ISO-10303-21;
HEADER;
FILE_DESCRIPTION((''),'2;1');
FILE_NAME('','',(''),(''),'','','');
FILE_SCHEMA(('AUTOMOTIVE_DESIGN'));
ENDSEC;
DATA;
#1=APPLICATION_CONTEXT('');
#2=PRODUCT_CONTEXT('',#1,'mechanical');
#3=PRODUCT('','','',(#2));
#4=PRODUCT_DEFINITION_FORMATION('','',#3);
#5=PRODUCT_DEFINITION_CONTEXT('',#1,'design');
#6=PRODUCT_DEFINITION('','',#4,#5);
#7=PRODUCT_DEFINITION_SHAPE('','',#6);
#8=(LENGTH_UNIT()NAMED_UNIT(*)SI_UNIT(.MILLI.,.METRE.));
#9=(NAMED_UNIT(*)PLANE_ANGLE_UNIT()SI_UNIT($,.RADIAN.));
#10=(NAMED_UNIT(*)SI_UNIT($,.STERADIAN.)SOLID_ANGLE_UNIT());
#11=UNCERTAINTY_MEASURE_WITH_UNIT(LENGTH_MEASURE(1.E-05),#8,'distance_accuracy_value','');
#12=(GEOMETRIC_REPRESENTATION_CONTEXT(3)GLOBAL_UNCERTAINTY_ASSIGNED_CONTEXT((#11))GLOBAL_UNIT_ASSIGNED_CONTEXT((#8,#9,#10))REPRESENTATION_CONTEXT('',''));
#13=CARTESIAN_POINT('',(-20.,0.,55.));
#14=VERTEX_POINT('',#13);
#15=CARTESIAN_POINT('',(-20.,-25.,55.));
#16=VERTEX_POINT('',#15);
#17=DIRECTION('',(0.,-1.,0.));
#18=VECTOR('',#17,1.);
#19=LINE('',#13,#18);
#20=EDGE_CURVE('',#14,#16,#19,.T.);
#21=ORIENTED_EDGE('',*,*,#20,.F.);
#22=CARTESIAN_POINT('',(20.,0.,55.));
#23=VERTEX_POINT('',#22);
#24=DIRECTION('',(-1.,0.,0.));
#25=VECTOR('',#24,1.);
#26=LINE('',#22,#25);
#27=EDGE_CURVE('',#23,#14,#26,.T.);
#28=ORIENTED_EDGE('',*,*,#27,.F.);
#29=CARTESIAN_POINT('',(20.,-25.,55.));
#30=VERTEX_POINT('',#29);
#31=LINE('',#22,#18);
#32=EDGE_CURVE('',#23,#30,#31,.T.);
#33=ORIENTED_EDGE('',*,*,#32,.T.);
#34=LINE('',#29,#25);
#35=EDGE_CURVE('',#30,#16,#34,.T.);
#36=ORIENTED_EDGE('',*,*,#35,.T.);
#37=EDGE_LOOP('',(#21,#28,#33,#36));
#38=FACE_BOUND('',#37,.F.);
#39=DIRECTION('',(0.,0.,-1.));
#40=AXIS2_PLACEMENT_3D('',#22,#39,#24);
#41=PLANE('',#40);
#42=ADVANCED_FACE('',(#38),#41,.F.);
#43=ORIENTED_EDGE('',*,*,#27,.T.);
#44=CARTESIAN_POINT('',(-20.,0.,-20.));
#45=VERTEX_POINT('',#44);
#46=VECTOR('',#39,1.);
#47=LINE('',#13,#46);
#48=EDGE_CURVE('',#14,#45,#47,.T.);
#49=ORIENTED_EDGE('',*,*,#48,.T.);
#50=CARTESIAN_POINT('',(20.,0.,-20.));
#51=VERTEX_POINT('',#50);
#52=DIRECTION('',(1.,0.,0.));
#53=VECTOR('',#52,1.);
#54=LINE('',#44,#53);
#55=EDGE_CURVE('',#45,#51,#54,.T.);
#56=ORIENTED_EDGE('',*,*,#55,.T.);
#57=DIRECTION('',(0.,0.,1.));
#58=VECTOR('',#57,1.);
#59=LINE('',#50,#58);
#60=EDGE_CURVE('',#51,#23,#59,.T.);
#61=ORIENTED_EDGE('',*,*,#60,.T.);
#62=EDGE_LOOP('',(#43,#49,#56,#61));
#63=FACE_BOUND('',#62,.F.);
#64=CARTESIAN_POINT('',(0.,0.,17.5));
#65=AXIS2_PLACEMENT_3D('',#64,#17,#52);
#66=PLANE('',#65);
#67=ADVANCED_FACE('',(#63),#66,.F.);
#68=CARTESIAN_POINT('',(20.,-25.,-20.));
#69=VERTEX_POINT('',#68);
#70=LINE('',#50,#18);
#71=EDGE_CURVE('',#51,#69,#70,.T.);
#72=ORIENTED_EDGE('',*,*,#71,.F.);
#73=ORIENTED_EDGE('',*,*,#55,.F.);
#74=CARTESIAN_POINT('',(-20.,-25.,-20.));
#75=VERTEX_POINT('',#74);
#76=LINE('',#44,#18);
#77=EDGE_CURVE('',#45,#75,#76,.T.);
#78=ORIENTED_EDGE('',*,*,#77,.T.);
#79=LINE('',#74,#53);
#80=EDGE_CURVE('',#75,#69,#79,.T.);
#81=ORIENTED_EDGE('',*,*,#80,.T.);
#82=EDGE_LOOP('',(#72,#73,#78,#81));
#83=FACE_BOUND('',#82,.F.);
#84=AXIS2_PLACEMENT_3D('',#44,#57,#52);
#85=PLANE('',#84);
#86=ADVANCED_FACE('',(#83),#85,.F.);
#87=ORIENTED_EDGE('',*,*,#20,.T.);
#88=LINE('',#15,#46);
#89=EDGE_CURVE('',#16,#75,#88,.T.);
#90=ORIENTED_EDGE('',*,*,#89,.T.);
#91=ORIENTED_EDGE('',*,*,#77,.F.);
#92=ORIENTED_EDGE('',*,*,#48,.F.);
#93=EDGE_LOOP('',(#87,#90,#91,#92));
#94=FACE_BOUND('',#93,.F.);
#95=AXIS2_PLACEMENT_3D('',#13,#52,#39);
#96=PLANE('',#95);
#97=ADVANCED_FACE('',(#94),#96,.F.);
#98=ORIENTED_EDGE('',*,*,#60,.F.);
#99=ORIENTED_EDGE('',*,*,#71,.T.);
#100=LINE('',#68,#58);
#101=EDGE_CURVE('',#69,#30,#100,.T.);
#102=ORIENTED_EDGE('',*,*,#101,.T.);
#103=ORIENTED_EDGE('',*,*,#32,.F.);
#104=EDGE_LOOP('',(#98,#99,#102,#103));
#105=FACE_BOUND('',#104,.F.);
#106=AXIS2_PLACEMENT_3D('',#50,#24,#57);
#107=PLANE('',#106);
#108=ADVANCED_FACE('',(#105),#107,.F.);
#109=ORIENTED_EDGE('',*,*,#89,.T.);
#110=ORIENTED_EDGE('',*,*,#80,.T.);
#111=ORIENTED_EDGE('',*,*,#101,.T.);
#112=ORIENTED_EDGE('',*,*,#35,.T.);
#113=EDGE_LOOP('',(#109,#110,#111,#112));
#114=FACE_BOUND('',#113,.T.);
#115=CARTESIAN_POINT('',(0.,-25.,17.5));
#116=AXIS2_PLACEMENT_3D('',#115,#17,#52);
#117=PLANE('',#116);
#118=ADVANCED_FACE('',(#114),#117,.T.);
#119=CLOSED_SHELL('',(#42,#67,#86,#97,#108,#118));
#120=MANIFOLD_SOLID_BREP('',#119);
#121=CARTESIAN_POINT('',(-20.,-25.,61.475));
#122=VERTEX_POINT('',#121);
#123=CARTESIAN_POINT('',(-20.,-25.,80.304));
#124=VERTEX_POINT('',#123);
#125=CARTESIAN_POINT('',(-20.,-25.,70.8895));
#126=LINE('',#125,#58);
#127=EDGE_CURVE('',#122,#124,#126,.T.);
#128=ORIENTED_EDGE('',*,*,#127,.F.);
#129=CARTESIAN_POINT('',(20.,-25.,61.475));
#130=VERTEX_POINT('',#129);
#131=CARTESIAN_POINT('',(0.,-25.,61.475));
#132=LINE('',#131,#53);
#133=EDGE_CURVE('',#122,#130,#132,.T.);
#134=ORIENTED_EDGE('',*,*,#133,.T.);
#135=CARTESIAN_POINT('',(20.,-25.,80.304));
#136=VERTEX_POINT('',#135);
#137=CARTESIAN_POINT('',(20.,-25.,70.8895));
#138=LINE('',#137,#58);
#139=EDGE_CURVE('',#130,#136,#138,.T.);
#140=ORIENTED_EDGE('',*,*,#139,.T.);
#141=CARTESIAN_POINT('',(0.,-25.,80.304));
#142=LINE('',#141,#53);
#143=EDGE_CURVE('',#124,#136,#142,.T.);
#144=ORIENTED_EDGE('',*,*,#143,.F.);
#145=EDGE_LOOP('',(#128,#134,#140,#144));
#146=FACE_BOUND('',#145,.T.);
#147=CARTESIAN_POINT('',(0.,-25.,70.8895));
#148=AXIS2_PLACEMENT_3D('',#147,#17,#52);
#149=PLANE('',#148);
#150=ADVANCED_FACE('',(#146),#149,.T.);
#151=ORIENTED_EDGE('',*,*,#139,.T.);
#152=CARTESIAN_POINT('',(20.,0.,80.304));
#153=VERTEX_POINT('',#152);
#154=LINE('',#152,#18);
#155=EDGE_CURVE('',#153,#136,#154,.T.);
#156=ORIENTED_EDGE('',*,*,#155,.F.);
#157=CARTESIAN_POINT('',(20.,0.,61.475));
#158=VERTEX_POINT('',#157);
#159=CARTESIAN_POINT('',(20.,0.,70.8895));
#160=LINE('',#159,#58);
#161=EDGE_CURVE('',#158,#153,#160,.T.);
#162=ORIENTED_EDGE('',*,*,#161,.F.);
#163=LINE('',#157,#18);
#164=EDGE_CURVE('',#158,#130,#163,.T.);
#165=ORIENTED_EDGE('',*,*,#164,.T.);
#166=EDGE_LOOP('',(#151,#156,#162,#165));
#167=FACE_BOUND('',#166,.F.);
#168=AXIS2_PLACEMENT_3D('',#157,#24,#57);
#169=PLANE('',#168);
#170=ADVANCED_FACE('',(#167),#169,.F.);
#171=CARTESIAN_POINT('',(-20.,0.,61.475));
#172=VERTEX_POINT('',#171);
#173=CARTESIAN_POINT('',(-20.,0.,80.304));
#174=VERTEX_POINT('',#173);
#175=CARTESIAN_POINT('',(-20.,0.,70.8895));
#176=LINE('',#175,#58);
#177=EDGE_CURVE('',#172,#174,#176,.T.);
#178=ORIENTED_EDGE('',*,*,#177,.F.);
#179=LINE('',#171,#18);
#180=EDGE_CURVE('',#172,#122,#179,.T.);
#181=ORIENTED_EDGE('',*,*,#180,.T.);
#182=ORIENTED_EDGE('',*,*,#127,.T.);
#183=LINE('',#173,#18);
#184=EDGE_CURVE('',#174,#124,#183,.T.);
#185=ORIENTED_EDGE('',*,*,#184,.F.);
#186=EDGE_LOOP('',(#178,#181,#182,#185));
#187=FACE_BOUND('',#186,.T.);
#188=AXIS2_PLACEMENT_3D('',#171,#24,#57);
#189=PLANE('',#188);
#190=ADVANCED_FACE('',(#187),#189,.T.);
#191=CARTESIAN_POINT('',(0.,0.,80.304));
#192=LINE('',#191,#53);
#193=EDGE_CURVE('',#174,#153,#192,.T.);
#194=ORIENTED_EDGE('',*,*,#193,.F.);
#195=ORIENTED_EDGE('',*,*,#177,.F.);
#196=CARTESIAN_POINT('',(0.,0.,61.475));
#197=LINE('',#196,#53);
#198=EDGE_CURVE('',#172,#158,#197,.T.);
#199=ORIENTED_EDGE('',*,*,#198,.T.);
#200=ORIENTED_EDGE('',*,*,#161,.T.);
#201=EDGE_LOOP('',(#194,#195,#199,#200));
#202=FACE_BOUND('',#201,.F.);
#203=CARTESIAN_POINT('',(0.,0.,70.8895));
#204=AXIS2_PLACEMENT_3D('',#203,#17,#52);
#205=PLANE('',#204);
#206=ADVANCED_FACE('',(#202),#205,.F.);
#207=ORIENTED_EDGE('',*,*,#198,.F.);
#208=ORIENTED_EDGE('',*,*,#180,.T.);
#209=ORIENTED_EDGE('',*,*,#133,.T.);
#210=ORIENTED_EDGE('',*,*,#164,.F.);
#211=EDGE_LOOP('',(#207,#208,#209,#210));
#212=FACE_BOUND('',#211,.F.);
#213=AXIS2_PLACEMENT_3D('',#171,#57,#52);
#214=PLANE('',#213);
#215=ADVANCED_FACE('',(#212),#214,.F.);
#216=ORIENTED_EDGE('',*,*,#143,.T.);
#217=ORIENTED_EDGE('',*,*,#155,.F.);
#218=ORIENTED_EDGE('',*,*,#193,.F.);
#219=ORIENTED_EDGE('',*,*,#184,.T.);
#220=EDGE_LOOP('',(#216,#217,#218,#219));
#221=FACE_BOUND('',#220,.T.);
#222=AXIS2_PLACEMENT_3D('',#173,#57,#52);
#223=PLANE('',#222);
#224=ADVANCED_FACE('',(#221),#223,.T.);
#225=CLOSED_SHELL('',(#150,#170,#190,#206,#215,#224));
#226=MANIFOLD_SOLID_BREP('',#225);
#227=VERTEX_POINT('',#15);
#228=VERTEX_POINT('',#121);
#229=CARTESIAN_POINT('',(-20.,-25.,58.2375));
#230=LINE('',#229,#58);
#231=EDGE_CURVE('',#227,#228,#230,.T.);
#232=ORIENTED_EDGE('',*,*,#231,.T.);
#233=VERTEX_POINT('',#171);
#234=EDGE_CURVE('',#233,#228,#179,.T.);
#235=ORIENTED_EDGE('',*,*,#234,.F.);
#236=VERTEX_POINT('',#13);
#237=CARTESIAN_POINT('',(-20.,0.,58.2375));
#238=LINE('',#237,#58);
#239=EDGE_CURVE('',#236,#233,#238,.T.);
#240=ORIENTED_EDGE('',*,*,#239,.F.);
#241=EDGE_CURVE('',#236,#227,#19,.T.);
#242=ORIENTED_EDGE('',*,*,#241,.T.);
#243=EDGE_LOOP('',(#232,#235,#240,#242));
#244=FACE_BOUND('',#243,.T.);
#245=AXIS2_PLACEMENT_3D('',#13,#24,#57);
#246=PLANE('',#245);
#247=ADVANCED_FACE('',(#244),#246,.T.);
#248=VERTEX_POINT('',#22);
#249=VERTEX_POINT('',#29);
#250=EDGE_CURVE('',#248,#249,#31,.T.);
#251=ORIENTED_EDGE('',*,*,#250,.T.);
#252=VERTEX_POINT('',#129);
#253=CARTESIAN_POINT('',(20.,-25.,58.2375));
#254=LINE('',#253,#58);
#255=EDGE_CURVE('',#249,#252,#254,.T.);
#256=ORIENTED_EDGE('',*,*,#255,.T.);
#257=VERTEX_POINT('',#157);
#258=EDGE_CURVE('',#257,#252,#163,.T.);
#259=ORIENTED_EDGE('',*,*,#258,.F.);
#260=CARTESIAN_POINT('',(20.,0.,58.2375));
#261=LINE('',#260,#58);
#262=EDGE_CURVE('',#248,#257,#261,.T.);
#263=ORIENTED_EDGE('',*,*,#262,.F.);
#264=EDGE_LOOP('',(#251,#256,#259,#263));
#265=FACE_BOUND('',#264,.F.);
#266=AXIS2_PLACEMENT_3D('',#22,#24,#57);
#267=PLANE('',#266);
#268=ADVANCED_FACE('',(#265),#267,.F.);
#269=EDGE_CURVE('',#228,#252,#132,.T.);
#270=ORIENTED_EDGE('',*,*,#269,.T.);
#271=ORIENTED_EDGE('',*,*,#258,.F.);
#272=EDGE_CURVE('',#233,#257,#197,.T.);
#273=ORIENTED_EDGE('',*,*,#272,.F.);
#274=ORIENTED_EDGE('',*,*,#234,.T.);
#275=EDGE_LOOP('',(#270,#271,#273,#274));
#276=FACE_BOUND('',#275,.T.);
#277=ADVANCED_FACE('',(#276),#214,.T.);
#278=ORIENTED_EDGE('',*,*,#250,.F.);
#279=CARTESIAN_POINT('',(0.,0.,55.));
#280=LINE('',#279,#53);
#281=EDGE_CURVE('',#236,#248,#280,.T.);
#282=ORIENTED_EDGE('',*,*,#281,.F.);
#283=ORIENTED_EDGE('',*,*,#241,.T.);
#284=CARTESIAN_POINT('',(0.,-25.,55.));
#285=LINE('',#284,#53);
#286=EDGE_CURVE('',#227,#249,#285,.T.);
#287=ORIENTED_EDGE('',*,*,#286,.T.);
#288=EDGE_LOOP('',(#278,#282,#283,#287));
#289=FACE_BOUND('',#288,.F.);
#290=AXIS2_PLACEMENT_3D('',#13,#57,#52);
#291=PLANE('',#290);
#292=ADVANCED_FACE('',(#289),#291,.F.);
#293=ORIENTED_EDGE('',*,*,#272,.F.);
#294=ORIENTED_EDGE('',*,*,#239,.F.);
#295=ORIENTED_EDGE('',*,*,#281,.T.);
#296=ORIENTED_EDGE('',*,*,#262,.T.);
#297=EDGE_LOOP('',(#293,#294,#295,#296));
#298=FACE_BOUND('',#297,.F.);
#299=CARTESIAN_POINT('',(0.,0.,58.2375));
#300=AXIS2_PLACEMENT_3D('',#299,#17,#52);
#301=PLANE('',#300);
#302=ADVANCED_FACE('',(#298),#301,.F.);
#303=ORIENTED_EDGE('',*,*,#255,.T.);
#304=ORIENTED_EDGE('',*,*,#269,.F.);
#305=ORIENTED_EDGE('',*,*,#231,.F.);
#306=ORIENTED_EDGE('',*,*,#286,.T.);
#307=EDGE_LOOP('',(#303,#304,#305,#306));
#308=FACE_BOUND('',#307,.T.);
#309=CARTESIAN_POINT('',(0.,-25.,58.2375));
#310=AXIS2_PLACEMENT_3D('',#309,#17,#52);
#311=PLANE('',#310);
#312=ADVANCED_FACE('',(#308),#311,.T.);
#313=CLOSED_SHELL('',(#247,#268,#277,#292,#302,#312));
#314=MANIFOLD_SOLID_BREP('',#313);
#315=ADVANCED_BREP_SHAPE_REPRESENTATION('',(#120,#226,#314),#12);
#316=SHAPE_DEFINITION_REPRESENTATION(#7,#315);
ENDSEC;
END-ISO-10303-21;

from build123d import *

# Parameters (mm, degrees)
F0_W     = 40
F0_H     = 18.829
F1_DEPTH = 25
F0_H_2   = 6.475
F2_DEPTH = 25
F3_DEPTH = 25


with BuildPart() as f1:
    # F0 (on Front) → F1 (new body)
    with BuildSketch(Plane.XZ):
        with Locations((0, 70.8895)):
            Rectangle(F0_W, F0_H)
    extrude(amount=F1_DEPTH)


with BuildPart() as f2:
    # F0 (on Front) → F2 (new body)
    with BuildSketch(Plane.XZ):
        with Locations((0, 58.2375)):
            Rectangle(F0_W, F0_H_2)
    extrude(amount=F2_DEPTH)


with BuildPart() as f3:
    # F0 (on Front) → F3 (new body)
    with BuildSketch(Plane.XZ):
        Polygon((-20, -20), (0, -20), (20, -20), (20, 55), (-20, 55), align=None)
    extrude(amount=F3_DEPTH)


solid = Compound([f1.part, f2.part, f3.part])
